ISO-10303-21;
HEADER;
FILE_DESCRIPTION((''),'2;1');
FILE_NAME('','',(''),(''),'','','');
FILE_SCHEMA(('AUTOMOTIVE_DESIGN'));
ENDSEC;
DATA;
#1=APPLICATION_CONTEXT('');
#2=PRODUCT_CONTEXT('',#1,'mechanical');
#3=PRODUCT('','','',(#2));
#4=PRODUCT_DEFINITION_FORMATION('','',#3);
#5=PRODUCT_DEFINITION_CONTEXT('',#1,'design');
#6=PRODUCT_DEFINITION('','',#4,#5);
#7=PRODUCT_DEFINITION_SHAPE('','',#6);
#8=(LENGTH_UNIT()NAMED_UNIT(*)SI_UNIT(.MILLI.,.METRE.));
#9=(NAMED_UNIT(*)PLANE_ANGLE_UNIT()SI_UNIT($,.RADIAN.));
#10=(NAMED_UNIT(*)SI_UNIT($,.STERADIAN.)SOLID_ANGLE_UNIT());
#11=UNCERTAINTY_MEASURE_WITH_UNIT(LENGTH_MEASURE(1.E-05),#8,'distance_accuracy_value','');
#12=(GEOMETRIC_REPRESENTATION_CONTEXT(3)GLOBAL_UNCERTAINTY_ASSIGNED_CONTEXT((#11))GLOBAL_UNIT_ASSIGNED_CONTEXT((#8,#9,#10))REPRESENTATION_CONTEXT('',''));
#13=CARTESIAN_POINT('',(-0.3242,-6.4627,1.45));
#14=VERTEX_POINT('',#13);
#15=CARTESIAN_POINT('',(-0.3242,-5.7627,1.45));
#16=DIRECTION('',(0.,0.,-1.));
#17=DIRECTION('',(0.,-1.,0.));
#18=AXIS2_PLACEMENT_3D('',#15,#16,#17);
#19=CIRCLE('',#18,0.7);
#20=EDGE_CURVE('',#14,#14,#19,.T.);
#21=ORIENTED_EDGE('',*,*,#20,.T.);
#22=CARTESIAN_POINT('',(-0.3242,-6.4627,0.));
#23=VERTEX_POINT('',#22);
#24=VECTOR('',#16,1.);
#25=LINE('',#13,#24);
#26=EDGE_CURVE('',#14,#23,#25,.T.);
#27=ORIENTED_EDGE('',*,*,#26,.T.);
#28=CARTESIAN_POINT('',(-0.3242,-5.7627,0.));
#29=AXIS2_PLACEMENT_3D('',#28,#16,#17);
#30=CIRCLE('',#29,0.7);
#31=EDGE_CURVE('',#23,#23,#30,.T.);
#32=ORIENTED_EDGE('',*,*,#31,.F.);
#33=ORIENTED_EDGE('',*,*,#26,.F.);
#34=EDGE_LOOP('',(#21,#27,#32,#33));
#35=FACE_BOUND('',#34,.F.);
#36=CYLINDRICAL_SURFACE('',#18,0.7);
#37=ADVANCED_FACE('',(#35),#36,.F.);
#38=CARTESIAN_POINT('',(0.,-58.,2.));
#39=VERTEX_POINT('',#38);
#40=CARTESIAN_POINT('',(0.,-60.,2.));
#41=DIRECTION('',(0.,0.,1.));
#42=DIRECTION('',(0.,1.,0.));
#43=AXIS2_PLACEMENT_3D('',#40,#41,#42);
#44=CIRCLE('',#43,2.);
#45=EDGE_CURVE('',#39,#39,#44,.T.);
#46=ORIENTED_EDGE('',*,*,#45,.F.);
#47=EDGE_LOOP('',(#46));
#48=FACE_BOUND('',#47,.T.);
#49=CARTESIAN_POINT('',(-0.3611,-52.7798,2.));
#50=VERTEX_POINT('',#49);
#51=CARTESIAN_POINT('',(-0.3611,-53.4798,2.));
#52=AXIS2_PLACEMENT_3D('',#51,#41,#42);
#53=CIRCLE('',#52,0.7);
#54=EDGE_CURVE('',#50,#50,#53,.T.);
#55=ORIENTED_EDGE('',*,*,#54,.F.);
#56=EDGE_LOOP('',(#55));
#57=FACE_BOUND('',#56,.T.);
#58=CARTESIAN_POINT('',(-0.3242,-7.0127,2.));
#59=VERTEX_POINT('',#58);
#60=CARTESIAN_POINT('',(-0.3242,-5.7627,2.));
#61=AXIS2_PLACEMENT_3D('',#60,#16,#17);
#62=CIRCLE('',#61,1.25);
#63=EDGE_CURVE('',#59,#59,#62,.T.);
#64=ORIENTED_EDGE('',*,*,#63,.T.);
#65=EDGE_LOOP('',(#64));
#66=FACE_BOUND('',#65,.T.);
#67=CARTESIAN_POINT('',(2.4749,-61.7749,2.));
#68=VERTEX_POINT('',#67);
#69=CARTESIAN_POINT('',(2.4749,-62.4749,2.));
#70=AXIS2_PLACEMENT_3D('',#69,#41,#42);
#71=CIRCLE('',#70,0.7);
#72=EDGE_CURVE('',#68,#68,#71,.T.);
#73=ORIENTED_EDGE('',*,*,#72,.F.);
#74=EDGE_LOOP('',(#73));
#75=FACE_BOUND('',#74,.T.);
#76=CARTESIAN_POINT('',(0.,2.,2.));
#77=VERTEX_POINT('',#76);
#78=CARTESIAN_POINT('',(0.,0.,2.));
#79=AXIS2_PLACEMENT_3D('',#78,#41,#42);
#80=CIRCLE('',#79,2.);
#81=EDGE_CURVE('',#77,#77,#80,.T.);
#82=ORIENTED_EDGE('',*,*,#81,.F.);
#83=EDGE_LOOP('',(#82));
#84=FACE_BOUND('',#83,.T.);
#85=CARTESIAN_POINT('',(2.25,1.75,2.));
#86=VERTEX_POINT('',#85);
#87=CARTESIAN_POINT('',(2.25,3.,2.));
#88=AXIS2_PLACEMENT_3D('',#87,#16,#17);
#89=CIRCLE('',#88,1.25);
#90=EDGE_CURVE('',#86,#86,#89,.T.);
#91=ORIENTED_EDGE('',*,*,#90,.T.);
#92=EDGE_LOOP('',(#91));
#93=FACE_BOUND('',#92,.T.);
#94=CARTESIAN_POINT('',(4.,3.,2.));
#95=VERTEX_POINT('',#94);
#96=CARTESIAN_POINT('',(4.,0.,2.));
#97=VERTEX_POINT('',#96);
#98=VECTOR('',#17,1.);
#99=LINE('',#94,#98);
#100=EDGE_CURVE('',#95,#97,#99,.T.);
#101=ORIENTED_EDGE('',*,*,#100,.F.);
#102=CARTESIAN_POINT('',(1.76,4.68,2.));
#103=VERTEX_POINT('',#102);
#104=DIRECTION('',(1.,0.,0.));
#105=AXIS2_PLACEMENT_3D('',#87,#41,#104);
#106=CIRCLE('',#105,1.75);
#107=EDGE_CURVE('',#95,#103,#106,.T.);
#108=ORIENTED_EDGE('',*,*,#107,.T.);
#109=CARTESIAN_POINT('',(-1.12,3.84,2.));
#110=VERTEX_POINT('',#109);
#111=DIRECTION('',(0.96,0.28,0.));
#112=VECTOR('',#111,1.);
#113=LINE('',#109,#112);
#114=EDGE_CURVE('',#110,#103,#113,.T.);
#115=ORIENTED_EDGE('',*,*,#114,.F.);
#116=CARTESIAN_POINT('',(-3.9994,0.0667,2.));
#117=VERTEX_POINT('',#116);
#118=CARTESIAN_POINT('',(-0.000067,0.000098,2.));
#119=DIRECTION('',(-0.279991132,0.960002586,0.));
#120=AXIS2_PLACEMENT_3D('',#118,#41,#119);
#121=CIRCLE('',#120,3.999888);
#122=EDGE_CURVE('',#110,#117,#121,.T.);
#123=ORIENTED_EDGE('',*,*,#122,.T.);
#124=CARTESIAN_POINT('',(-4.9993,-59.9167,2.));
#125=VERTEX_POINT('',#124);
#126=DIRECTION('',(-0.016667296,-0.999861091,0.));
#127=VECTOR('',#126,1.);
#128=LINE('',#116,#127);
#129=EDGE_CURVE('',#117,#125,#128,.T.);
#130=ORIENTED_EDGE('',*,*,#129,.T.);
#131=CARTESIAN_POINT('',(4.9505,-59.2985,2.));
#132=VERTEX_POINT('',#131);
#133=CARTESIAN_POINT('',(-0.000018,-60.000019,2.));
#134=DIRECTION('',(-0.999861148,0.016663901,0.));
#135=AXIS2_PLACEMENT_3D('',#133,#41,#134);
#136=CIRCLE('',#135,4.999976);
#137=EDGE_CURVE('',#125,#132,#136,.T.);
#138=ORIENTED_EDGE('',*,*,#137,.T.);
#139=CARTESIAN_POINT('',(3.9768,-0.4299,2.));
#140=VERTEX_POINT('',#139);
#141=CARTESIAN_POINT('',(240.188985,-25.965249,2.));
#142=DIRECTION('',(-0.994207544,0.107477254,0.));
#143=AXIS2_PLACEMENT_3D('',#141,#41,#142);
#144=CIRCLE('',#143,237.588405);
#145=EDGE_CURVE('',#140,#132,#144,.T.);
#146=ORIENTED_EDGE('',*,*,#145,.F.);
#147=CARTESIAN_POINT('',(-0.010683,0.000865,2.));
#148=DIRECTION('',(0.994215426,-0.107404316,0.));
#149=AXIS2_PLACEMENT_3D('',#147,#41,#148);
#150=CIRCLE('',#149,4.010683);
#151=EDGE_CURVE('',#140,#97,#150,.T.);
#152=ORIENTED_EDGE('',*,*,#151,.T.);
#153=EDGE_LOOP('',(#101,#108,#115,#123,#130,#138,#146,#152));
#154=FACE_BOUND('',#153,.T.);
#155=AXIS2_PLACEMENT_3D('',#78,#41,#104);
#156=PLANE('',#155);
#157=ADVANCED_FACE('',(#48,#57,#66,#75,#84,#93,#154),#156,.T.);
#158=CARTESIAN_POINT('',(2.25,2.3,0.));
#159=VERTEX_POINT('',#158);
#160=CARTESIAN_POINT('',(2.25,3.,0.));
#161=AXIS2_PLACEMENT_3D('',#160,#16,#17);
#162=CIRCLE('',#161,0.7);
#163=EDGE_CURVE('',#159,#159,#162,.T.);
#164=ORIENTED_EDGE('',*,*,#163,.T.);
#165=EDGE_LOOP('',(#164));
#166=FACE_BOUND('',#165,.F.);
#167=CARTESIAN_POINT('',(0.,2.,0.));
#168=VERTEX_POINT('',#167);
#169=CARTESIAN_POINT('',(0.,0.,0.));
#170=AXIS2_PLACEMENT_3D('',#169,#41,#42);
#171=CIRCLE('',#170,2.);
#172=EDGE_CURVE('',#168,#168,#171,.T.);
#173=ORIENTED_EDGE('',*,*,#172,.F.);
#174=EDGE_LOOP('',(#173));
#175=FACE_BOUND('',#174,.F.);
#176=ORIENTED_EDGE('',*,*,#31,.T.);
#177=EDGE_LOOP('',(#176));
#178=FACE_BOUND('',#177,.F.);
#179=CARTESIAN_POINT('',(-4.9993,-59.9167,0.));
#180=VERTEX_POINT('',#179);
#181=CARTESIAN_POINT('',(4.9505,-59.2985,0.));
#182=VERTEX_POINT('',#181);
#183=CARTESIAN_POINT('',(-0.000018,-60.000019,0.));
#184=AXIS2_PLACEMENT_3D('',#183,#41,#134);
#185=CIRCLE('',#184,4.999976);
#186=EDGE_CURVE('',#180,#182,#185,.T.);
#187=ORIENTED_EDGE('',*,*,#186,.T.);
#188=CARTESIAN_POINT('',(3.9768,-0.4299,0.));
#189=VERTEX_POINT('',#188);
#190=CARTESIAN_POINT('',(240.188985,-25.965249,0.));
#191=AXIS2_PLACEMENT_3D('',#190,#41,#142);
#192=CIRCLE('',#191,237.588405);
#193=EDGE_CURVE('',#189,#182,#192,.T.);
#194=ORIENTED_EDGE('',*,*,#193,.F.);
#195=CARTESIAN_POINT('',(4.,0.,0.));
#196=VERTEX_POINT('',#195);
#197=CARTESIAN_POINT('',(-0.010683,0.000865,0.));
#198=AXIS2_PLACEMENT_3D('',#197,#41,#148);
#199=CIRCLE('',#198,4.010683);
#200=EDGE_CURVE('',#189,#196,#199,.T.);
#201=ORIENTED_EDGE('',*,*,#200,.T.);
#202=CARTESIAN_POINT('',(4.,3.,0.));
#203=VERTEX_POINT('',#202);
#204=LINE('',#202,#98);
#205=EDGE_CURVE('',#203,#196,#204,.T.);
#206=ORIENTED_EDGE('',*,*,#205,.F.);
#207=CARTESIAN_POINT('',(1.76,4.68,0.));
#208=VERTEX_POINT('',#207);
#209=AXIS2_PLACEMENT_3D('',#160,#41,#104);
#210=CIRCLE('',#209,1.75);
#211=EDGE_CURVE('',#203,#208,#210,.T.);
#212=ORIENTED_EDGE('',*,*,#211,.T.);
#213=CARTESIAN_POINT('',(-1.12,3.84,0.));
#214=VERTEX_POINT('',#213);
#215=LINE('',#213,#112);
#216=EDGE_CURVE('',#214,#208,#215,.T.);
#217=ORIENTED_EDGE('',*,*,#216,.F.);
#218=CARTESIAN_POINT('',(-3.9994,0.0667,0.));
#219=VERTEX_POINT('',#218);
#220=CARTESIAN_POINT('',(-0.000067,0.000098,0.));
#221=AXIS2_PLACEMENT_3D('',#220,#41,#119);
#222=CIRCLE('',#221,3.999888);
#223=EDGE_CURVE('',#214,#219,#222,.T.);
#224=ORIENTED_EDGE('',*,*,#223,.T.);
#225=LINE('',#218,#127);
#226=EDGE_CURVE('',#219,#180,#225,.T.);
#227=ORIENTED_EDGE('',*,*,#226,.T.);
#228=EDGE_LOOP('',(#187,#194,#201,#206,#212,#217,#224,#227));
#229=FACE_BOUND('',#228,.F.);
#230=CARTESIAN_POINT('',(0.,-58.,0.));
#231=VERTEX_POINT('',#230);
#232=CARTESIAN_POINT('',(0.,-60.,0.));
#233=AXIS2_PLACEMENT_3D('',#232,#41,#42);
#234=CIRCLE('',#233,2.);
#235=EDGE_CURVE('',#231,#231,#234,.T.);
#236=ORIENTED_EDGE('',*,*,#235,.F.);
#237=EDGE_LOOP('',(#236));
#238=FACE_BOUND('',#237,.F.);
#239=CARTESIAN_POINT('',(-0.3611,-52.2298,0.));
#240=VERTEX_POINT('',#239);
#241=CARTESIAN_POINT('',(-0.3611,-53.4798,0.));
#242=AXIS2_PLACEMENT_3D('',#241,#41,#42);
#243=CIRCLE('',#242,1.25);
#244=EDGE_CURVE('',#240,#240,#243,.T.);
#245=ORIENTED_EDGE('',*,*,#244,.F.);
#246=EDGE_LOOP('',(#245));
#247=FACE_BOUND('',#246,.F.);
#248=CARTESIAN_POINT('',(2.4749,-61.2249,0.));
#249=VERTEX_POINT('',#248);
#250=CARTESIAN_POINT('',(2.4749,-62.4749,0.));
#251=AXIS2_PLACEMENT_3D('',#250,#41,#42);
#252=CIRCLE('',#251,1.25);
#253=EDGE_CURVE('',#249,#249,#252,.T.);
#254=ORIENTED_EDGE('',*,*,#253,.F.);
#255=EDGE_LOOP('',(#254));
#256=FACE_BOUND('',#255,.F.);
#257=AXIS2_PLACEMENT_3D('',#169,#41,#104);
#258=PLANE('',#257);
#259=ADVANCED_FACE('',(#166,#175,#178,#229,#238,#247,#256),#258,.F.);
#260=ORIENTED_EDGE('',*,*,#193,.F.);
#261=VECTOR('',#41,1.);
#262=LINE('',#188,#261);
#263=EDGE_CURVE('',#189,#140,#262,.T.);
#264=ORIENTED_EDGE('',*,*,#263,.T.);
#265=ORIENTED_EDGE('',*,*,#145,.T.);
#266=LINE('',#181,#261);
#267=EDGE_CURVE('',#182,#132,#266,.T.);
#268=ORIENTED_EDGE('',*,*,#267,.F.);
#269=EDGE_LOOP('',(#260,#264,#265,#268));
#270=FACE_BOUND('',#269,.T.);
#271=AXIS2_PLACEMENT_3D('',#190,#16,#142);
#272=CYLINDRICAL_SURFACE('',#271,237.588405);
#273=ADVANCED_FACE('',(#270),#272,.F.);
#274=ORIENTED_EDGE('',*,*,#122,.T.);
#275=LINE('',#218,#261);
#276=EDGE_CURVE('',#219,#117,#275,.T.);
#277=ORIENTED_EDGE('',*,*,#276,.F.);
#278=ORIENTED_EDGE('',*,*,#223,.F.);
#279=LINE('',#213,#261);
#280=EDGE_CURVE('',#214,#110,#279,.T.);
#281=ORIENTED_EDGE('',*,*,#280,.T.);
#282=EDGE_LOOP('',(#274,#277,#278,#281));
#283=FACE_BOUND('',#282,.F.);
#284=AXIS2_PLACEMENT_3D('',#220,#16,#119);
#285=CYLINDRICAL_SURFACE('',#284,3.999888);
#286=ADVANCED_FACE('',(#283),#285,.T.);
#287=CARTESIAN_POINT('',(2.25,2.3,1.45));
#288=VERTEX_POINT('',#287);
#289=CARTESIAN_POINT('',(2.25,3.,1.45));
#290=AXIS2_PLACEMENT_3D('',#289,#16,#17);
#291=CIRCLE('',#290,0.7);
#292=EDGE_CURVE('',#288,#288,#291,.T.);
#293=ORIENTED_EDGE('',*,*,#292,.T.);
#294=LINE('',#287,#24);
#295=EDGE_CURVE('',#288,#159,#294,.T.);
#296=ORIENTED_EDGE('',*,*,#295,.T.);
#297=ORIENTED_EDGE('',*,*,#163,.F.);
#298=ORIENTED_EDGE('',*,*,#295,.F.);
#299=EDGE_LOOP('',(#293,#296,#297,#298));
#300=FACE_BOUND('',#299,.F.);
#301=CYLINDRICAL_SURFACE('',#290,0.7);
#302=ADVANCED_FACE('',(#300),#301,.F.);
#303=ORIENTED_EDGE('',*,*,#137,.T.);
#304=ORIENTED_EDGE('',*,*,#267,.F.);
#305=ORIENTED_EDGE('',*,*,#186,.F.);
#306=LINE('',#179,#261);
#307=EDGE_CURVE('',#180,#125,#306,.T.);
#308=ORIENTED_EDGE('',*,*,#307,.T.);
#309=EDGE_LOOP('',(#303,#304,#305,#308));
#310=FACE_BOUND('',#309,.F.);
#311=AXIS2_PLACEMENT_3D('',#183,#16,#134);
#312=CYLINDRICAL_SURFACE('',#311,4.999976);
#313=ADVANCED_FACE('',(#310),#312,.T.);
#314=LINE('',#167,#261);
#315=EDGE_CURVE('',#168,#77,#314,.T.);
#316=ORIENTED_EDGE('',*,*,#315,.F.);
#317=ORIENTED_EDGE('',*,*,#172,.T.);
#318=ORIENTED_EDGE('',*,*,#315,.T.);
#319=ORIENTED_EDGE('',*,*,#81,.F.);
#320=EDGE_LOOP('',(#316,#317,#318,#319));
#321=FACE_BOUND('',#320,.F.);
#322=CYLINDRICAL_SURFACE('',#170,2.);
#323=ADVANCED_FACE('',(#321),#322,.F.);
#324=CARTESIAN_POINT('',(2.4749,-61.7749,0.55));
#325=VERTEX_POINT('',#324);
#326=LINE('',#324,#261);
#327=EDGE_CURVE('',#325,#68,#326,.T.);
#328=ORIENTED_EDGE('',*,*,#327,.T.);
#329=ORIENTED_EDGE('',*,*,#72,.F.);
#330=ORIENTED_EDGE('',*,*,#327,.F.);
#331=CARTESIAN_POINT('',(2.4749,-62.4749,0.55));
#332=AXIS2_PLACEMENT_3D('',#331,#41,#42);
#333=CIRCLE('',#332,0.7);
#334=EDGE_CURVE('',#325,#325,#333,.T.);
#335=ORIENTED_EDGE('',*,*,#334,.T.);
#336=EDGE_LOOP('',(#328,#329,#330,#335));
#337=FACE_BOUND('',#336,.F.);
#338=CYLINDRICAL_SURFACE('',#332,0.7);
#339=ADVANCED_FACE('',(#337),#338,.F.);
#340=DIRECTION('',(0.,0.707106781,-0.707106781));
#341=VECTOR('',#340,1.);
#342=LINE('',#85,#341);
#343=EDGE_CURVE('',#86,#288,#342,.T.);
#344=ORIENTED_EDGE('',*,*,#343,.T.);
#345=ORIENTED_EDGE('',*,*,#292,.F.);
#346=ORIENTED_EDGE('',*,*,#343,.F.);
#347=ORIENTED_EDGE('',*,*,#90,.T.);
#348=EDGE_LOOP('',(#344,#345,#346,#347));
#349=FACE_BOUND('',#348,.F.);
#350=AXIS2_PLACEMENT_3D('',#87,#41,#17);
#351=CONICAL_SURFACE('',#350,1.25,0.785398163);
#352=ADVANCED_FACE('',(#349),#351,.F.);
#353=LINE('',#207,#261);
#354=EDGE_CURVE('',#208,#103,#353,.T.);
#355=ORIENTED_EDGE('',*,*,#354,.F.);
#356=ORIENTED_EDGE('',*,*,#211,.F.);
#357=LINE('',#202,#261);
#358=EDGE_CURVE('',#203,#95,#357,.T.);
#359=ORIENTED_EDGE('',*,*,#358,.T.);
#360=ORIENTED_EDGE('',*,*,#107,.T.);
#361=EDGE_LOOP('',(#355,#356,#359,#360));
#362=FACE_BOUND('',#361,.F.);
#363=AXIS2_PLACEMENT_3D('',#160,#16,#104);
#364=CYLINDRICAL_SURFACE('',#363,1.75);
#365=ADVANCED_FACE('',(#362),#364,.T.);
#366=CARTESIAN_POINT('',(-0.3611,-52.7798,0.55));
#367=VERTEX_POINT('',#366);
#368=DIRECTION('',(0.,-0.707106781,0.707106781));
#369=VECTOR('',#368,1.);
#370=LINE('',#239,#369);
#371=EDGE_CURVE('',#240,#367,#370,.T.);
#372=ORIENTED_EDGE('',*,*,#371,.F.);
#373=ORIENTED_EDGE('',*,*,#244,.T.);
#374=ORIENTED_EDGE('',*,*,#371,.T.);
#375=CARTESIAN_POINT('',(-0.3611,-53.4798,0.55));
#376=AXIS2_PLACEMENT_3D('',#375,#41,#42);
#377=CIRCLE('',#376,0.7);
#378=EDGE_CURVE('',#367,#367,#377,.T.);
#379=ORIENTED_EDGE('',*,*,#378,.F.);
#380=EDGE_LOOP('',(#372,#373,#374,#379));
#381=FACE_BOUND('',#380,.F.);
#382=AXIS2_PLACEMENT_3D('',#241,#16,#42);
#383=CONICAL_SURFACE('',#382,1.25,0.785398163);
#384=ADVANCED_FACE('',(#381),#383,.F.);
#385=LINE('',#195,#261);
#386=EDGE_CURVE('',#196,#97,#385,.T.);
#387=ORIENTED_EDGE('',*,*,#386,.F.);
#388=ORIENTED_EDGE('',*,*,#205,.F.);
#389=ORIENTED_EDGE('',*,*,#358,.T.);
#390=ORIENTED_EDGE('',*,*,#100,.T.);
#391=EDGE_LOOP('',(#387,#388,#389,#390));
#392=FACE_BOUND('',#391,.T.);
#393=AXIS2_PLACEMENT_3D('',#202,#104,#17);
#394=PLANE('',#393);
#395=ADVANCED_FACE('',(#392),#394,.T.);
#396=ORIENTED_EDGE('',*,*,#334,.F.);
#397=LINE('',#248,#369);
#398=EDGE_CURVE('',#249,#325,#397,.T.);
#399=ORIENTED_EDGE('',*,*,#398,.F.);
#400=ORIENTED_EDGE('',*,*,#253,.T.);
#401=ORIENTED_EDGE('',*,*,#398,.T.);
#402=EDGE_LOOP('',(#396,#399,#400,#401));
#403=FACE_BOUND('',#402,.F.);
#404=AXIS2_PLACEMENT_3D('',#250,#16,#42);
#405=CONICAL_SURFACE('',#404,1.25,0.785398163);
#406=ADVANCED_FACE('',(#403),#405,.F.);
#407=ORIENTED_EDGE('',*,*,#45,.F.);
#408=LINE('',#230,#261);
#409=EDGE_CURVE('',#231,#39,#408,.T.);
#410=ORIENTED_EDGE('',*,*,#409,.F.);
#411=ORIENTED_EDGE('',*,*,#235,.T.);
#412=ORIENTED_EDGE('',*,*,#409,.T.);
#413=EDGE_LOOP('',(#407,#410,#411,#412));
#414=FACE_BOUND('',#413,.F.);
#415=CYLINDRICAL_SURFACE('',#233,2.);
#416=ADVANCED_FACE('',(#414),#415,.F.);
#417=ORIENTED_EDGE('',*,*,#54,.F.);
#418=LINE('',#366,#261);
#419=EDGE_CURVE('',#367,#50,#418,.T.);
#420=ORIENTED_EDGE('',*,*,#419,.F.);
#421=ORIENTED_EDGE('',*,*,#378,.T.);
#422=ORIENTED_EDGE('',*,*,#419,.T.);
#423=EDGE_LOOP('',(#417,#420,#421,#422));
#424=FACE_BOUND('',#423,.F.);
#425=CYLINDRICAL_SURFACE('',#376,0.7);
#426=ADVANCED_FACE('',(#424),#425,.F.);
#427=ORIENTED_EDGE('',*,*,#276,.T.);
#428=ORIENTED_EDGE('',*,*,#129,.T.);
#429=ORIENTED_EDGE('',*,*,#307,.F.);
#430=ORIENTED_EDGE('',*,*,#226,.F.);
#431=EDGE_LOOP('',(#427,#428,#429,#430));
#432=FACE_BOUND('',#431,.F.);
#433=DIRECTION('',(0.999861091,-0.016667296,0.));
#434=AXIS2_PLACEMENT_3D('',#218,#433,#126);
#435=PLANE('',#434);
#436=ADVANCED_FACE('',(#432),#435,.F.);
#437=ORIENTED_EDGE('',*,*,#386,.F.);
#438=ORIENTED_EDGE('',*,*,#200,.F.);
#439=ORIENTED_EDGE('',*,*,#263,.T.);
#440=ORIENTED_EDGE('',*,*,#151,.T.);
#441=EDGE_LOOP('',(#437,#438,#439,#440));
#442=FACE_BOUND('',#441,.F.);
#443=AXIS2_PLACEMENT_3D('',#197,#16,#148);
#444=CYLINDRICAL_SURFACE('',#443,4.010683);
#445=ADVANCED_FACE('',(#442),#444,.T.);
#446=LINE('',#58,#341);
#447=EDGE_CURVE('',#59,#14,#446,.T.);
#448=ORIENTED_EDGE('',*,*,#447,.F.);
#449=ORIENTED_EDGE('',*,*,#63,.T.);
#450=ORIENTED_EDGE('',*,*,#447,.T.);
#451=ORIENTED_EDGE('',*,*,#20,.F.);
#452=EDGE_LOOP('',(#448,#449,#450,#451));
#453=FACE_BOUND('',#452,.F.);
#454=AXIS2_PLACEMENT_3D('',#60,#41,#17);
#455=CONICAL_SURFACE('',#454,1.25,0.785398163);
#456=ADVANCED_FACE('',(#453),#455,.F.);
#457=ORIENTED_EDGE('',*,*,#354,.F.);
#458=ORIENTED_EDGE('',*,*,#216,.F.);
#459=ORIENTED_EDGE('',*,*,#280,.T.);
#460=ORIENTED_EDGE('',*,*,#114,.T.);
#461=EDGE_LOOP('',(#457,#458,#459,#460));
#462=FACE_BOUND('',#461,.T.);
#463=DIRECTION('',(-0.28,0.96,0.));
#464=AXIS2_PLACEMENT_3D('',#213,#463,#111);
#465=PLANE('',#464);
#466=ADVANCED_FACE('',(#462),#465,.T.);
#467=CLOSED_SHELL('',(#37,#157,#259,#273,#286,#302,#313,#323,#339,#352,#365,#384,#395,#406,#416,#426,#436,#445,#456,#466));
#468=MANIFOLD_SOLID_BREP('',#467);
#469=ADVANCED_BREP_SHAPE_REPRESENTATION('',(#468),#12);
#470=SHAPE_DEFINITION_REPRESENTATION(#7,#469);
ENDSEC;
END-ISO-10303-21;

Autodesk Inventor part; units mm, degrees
ref_plane "YZ Plane" through (0, 0, 0) normal (1, 0, 0) x (0, 1, 0)
ref_plane "XZ Plane" through (0, 0, 0) normal (0, 1, 0) x (-1, 0, 0)
ref_plane "XY Plane" through (0, 0, 0) normal (0, 0, 1) x (1, 0, 0)
sketch "スケッチ1" plane through (0, 0, 0) normal (0, 0, 1) x (1, 0, 0)
  line L0 (0, 0) -> (0, -60) construction
  arc A0 (0, -4) -> (3.9768, -0.4299) centre (0, 0) ccw construction
  arc A1 (0, -55) -> (-4.9993, -59.9167) centre (0, -60) ccw construction
  arc A2 (3.9768, -0.4299) -> (4.9505, -59.2985) centre (240.1879, -25.9652) ccw
  arc A3 (-3.9994, 0.0667) -> (0, -4) centre (0, 0) ccw construction
  arc A4 (3.9768, -0.4299) -> (4, 0) centre (0, 0) ccw
  arc A5 (4.9505, -59.2985) -> (0, -55) centre (0, -60) ccw construction
  arc A6 (-4.9993, -59.9167) -> (4.9505, -59.2985) centre (0, -60) ccw
  line L1 (-3.9994, 0.0667) -> (-4.9993, -59.9167)
  line L2 (2.6336, -22.0054) -> (2.3154, -41.0967) construction
  circle A7 centre (0, 0) radius 2 construction
  line L3 (-1.12, 3.84) -> (1.76, 4.68)
  line L4 (4, 3) -> (4, 0)
  arc A8 (4, 3) -> (1.76, 4.68) centre (2.25, 3) ccw
  circle A9 centre (2.25, 3) radius 1 construction
  arc A10 (-1.12, 3.84) -> (-3.9994, 0.0667) centre (0, 0) ccw
  arc A11 (4, 0) -> (-1.12, 3.84) centre (0, 0) ccw construction
  circle A12 centre (2.25, 3) radius 1.75 construction
  line L5 (-0.3242, -5.7627) -> (0, 0) construction
  circle A13 centre (-0.3242, -5.7627) radius 3.7718 construction
  circle A14 centre (0, -60) radius 2 construction
  circle A15 centre (0, -60) radius 3.5 construction
  line L6 (0, -60) -> (2.4749, -62.4749) construction
  circle A16 centre (-0.3611, -53.4798) radius 4.5302 construction
  dimension "d26" = 7
  dimension "d0" = 60
  dimension "d1" = 4
  dimension "d2" = 5
  dimension "d14" = 7
  dimension "d15" = 4
  dimension "d16" = 1.75
  dimension "d17" = 2
  dimension "d25" = 4
  dimension "d27" = 45
extrude "押し出し1" add sketch "スケッチ1" along normal blind 2
hole "穴1" at (0, 0, 0) at (0, -60, 0) direction (0, 0, 1) diameter 4 end through all
hole "穴2" at (-0.3611, -53.4798, 0) at (2.4749, -62.4749, 0) direction (0, 0, 1) diameter 1.4 end through all countersink diameter 2.5 countersink angle 90
sketch "スケッチ2" plane through (0, 0, 2) normal (0, 0, 1) x (1, 0, 0)
  point P0 (0, 0)
  point P1 (2.25, 3)
  point P2 (-0.3242, -5.7627)
hole "穴4" at (2.25, 3, 2) at (-0.3242, -5.7627, 2) direction (0, 0, -1) diameter 1.4 end through all countersink diameter 2.5 countersink angle 90
properties part number "COXA_ROLL_LONG-LINK"
